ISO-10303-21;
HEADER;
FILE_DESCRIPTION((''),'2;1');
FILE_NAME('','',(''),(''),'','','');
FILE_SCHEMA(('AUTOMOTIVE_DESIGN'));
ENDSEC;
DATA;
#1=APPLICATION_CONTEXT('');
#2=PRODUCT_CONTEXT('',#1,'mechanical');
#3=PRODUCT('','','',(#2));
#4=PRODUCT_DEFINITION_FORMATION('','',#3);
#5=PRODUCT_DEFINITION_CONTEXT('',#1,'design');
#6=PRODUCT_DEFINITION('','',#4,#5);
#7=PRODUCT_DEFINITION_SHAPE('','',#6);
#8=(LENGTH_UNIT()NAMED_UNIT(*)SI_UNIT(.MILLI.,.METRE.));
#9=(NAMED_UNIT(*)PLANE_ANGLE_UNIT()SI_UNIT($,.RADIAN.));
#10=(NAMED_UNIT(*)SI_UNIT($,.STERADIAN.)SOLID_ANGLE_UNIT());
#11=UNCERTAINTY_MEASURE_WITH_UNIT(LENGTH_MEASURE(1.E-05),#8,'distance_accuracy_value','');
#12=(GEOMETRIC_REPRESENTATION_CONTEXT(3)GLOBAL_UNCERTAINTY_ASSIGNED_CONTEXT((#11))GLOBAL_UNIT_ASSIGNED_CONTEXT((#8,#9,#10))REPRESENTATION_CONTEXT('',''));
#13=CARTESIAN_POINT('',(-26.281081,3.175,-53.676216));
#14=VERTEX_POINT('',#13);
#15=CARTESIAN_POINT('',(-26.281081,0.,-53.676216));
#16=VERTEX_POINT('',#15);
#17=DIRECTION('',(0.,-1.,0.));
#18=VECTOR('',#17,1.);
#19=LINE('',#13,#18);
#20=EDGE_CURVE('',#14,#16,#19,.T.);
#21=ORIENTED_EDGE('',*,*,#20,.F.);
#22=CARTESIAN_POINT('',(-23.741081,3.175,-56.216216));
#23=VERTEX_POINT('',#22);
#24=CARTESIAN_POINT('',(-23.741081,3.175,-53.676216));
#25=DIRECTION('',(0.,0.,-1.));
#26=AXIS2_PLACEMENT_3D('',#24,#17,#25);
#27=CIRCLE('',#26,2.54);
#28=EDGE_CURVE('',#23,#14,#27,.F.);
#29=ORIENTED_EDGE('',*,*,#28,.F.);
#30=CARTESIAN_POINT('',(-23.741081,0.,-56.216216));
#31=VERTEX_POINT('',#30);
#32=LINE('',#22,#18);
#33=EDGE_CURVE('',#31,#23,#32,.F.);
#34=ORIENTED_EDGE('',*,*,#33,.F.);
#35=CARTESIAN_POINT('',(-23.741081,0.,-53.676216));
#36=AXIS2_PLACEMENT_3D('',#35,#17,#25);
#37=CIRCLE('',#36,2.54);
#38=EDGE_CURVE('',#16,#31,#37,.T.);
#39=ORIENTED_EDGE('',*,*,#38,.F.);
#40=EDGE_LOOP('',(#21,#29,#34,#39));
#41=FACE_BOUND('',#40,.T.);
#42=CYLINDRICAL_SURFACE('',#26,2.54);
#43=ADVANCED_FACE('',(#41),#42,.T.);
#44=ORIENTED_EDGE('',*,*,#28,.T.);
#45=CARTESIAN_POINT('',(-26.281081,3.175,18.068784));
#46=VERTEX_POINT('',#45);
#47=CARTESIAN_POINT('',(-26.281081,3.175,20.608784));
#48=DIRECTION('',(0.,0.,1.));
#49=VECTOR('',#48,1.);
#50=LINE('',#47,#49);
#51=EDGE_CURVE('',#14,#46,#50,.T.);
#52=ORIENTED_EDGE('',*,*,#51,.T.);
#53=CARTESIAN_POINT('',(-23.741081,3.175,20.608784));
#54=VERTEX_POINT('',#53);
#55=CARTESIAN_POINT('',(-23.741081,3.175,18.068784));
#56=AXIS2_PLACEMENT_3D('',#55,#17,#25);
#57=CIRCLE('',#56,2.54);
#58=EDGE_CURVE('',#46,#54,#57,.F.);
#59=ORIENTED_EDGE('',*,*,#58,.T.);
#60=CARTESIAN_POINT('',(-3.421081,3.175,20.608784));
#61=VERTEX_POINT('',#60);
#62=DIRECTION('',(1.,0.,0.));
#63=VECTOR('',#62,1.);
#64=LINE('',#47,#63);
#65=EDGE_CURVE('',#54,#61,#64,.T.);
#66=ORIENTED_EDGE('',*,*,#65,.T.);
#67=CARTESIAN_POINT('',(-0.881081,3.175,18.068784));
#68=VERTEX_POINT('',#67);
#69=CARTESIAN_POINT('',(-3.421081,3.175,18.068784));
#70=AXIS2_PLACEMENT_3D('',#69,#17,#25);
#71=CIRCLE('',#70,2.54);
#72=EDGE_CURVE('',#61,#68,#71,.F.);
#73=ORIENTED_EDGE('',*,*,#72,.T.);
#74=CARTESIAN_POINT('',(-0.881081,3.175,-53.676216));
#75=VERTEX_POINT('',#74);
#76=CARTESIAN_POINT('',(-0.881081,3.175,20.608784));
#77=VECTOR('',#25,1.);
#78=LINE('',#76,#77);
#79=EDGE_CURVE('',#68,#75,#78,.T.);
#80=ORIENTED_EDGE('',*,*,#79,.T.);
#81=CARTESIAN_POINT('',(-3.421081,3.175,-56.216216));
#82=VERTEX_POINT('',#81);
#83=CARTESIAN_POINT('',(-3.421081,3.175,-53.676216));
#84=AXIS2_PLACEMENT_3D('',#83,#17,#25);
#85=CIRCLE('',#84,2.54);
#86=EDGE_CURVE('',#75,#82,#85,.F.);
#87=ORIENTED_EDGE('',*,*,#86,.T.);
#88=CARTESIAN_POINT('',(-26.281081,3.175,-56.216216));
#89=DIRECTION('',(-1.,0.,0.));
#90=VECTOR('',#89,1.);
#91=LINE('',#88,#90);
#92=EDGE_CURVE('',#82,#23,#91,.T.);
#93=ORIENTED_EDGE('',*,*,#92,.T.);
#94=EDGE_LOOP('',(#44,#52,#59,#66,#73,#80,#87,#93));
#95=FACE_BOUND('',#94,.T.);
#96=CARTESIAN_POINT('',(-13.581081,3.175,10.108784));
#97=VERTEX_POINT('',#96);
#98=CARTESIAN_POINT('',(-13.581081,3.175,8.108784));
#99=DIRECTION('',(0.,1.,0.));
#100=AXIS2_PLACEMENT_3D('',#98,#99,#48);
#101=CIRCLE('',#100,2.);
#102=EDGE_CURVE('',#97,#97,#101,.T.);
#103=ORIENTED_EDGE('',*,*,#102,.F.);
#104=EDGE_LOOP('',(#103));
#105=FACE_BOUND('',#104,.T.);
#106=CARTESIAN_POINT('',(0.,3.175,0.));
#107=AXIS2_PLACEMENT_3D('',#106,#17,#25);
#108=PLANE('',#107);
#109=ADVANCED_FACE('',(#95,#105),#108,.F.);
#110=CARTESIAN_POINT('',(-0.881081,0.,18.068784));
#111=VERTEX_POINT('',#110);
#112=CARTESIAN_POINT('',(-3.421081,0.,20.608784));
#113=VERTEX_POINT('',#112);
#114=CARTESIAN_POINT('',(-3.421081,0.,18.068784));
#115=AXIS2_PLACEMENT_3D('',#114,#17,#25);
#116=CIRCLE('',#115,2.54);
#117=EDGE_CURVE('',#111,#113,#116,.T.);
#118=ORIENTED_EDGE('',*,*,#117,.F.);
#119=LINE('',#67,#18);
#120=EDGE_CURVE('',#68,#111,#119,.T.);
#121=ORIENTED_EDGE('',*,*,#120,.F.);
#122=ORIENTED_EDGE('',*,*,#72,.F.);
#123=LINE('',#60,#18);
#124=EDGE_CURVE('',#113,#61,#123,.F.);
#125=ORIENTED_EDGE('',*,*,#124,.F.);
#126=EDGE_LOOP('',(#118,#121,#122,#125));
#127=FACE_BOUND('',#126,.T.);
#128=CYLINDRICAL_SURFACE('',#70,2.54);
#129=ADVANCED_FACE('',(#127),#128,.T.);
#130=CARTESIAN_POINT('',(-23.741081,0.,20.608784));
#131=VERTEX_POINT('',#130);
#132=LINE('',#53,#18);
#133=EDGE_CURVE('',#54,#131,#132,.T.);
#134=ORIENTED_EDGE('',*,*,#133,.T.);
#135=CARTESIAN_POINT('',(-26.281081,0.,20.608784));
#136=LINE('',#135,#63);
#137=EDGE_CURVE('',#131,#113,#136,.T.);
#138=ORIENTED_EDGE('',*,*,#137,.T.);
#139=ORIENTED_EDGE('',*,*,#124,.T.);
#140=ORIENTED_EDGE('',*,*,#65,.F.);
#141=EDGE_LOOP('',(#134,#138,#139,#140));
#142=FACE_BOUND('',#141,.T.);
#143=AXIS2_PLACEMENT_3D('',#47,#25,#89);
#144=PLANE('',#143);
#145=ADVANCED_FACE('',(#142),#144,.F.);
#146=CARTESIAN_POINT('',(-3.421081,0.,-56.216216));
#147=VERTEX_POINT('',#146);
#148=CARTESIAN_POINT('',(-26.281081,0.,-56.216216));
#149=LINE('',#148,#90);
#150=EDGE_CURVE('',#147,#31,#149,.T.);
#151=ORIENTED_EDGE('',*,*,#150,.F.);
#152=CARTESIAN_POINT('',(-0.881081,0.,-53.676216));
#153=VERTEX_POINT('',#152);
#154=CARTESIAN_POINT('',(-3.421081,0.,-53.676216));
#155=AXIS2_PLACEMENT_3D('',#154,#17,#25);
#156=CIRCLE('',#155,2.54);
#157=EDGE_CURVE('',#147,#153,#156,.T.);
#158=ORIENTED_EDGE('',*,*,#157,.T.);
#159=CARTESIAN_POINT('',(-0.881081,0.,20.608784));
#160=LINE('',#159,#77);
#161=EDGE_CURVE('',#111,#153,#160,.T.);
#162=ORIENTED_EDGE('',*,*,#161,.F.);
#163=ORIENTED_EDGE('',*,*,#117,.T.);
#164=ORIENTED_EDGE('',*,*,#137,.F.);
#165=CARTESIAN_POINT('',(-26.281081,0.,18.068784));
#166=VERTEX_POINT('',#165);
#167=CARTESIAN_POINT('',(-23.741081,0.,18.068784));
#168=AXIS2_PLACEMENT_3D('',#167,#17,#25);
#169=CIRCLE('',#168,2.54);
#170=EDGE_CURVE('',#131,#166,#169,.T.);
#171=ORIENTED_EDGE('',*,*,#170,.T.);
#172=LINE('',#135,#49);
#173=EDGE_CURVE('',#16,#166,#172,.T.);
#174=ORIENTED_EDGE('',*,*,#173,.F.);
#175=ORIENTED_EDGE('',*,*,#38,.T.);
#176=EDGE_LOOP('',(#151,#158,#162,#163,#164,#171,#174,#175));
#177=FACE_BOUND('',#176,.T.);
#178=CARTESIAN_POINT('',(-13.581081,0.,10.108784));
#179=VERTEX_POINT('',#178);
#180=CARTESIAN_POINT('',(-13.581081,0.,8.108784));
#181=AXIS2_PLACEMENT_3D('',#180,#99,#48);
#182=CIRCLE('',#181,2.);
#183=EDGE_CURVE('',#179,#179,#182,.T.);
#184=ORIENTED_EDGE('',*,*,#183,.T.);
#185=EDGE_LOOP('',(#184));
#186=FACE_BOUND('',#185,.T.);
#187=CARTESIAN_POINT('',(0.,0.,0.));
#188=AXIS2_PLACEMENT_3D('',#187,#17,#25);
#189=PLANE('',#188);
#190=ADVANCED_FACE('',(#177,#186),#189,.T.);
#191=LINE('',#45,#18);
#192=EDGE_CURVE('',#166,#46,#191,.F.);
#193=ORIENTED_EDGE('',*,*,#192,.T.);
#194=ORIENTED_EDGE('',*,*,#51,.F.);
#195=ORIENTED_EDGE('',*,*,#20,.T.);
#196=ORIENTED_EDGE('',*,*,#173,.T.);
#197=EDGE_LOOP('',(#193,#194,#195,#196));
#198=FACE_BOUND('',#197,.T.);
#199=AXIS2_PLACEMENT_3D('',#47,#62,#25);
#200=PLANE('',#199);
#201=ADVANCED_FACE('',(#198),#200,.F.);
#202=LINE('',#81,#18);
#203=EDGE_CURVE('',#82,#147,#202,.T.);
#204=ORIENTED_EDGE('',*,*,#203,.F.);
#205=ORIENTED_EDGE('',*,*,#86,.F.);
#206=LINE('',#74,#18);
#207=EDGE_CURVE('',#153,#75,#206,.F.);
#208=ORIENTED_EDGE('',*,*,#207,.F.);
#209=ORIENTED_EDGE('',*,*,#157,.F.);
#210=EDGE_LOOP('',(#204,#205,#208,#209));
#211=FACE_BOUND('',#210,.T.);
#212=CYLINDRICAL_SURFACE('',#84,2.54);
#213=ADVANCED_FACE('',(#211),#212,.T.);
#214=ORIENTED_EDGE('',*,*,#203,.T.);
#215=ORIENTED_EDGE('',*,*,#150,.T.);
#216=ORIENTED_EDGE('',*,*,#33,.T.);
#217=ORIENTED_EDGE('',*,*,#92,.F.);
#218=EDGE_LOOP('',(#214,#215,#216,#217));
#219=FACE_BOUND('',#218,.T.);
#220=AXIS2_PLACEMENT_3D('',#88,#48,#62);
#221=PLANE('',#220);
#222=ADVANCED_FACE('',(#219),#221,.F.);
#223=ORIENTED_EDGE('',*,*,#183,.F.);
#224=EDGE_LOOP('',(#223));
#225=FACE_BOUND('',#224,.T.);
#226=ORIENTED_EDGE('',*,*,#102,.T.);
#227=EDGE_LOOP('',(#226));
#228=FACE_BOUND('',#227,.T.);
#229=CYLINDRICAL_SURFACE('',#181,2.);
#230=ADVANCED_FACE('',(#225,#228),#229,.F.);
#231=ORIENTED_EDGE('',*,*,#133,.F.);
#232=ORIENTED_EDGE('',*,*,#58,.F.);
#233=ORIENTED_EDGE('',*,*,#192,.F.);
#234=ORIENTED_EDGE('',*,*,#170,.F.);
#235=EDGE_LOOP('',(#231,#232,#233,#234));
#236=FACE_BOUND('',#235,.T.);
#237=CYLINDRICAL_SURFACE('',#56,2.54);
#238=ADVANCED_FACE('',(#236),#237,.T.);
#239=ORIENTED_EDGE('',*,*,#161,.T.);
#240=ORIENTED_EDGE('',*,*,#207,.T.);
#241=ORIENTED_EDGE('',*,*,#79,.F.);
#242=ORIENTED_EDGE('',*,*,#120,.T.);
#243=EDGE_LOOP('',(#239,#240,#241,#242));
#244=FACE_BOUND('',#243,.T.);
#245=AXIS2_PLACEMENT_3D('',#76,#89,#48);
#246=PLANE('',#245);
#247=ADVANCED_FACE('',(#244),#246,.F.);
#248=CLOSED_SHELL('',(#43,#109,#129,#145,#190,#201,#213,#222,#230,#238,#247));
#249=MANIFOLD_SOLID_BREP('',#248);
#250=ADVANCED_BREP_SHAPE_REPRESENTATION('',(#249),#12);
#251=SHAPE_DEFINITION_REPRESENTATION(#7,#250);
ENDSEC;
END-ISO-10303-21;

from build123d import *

# Parameters (mm, degrees)
SKETCH1_W           = 25.4
SKETCH1_H           = 76.825
BOSS_EXTRUDE1_DEPTH = 3.175
SKETCH2_R           = 2
CUT_EXTRUDE1_DEPTH  = 63.137257853
FILLET1_R           = 2.54


with BuildPart() as part:
    # Sketch1 → Boss-Extrude1 (new body)
    with BuildSketch(Plane(origin=(0, 0, 0), x_dir=(1, 0, 0), z_dir=(0, 1, 0))):
        with Locations((-13.581081081, 17.803716216)):
            Rectangle(SKETCH1_W, SKETCH1_H)
    extrude(amount=BOSS_EXTRUDE1_DEPTH)

    # Sketch2 → Cut-Extrude1 (cut, through all)
    with BuildSketch(Plane(origin=(0, 3.175, 0), x_dir=(1, 0, 0), z_dir=(0, 1, 0))):
        with Locations(Location((-13.581081081, -8.108783784, 0), (0, 0, 270))):
            Circle(SKETCH2_R)
    extrude(amount=-CUT_EXTRUDE1_DEPTH, mode=Mode.SUBTRACT)

    # Fillet1
    fillet1_edges = [part.edges().sort_by_distance(p)[0] for p in [
        (-26.281081081, 1.5875, -56.216216216),
        (-0.881081081, 1.5875, -56.216216216),
        (-0.881081081, 1.5875, 20.608783784),
        (-26.281081081, 1.5875, 20.608783784),
    ]]
    fillet(fillet1_edges, radius=FILLET1_R)


solid = part.part
